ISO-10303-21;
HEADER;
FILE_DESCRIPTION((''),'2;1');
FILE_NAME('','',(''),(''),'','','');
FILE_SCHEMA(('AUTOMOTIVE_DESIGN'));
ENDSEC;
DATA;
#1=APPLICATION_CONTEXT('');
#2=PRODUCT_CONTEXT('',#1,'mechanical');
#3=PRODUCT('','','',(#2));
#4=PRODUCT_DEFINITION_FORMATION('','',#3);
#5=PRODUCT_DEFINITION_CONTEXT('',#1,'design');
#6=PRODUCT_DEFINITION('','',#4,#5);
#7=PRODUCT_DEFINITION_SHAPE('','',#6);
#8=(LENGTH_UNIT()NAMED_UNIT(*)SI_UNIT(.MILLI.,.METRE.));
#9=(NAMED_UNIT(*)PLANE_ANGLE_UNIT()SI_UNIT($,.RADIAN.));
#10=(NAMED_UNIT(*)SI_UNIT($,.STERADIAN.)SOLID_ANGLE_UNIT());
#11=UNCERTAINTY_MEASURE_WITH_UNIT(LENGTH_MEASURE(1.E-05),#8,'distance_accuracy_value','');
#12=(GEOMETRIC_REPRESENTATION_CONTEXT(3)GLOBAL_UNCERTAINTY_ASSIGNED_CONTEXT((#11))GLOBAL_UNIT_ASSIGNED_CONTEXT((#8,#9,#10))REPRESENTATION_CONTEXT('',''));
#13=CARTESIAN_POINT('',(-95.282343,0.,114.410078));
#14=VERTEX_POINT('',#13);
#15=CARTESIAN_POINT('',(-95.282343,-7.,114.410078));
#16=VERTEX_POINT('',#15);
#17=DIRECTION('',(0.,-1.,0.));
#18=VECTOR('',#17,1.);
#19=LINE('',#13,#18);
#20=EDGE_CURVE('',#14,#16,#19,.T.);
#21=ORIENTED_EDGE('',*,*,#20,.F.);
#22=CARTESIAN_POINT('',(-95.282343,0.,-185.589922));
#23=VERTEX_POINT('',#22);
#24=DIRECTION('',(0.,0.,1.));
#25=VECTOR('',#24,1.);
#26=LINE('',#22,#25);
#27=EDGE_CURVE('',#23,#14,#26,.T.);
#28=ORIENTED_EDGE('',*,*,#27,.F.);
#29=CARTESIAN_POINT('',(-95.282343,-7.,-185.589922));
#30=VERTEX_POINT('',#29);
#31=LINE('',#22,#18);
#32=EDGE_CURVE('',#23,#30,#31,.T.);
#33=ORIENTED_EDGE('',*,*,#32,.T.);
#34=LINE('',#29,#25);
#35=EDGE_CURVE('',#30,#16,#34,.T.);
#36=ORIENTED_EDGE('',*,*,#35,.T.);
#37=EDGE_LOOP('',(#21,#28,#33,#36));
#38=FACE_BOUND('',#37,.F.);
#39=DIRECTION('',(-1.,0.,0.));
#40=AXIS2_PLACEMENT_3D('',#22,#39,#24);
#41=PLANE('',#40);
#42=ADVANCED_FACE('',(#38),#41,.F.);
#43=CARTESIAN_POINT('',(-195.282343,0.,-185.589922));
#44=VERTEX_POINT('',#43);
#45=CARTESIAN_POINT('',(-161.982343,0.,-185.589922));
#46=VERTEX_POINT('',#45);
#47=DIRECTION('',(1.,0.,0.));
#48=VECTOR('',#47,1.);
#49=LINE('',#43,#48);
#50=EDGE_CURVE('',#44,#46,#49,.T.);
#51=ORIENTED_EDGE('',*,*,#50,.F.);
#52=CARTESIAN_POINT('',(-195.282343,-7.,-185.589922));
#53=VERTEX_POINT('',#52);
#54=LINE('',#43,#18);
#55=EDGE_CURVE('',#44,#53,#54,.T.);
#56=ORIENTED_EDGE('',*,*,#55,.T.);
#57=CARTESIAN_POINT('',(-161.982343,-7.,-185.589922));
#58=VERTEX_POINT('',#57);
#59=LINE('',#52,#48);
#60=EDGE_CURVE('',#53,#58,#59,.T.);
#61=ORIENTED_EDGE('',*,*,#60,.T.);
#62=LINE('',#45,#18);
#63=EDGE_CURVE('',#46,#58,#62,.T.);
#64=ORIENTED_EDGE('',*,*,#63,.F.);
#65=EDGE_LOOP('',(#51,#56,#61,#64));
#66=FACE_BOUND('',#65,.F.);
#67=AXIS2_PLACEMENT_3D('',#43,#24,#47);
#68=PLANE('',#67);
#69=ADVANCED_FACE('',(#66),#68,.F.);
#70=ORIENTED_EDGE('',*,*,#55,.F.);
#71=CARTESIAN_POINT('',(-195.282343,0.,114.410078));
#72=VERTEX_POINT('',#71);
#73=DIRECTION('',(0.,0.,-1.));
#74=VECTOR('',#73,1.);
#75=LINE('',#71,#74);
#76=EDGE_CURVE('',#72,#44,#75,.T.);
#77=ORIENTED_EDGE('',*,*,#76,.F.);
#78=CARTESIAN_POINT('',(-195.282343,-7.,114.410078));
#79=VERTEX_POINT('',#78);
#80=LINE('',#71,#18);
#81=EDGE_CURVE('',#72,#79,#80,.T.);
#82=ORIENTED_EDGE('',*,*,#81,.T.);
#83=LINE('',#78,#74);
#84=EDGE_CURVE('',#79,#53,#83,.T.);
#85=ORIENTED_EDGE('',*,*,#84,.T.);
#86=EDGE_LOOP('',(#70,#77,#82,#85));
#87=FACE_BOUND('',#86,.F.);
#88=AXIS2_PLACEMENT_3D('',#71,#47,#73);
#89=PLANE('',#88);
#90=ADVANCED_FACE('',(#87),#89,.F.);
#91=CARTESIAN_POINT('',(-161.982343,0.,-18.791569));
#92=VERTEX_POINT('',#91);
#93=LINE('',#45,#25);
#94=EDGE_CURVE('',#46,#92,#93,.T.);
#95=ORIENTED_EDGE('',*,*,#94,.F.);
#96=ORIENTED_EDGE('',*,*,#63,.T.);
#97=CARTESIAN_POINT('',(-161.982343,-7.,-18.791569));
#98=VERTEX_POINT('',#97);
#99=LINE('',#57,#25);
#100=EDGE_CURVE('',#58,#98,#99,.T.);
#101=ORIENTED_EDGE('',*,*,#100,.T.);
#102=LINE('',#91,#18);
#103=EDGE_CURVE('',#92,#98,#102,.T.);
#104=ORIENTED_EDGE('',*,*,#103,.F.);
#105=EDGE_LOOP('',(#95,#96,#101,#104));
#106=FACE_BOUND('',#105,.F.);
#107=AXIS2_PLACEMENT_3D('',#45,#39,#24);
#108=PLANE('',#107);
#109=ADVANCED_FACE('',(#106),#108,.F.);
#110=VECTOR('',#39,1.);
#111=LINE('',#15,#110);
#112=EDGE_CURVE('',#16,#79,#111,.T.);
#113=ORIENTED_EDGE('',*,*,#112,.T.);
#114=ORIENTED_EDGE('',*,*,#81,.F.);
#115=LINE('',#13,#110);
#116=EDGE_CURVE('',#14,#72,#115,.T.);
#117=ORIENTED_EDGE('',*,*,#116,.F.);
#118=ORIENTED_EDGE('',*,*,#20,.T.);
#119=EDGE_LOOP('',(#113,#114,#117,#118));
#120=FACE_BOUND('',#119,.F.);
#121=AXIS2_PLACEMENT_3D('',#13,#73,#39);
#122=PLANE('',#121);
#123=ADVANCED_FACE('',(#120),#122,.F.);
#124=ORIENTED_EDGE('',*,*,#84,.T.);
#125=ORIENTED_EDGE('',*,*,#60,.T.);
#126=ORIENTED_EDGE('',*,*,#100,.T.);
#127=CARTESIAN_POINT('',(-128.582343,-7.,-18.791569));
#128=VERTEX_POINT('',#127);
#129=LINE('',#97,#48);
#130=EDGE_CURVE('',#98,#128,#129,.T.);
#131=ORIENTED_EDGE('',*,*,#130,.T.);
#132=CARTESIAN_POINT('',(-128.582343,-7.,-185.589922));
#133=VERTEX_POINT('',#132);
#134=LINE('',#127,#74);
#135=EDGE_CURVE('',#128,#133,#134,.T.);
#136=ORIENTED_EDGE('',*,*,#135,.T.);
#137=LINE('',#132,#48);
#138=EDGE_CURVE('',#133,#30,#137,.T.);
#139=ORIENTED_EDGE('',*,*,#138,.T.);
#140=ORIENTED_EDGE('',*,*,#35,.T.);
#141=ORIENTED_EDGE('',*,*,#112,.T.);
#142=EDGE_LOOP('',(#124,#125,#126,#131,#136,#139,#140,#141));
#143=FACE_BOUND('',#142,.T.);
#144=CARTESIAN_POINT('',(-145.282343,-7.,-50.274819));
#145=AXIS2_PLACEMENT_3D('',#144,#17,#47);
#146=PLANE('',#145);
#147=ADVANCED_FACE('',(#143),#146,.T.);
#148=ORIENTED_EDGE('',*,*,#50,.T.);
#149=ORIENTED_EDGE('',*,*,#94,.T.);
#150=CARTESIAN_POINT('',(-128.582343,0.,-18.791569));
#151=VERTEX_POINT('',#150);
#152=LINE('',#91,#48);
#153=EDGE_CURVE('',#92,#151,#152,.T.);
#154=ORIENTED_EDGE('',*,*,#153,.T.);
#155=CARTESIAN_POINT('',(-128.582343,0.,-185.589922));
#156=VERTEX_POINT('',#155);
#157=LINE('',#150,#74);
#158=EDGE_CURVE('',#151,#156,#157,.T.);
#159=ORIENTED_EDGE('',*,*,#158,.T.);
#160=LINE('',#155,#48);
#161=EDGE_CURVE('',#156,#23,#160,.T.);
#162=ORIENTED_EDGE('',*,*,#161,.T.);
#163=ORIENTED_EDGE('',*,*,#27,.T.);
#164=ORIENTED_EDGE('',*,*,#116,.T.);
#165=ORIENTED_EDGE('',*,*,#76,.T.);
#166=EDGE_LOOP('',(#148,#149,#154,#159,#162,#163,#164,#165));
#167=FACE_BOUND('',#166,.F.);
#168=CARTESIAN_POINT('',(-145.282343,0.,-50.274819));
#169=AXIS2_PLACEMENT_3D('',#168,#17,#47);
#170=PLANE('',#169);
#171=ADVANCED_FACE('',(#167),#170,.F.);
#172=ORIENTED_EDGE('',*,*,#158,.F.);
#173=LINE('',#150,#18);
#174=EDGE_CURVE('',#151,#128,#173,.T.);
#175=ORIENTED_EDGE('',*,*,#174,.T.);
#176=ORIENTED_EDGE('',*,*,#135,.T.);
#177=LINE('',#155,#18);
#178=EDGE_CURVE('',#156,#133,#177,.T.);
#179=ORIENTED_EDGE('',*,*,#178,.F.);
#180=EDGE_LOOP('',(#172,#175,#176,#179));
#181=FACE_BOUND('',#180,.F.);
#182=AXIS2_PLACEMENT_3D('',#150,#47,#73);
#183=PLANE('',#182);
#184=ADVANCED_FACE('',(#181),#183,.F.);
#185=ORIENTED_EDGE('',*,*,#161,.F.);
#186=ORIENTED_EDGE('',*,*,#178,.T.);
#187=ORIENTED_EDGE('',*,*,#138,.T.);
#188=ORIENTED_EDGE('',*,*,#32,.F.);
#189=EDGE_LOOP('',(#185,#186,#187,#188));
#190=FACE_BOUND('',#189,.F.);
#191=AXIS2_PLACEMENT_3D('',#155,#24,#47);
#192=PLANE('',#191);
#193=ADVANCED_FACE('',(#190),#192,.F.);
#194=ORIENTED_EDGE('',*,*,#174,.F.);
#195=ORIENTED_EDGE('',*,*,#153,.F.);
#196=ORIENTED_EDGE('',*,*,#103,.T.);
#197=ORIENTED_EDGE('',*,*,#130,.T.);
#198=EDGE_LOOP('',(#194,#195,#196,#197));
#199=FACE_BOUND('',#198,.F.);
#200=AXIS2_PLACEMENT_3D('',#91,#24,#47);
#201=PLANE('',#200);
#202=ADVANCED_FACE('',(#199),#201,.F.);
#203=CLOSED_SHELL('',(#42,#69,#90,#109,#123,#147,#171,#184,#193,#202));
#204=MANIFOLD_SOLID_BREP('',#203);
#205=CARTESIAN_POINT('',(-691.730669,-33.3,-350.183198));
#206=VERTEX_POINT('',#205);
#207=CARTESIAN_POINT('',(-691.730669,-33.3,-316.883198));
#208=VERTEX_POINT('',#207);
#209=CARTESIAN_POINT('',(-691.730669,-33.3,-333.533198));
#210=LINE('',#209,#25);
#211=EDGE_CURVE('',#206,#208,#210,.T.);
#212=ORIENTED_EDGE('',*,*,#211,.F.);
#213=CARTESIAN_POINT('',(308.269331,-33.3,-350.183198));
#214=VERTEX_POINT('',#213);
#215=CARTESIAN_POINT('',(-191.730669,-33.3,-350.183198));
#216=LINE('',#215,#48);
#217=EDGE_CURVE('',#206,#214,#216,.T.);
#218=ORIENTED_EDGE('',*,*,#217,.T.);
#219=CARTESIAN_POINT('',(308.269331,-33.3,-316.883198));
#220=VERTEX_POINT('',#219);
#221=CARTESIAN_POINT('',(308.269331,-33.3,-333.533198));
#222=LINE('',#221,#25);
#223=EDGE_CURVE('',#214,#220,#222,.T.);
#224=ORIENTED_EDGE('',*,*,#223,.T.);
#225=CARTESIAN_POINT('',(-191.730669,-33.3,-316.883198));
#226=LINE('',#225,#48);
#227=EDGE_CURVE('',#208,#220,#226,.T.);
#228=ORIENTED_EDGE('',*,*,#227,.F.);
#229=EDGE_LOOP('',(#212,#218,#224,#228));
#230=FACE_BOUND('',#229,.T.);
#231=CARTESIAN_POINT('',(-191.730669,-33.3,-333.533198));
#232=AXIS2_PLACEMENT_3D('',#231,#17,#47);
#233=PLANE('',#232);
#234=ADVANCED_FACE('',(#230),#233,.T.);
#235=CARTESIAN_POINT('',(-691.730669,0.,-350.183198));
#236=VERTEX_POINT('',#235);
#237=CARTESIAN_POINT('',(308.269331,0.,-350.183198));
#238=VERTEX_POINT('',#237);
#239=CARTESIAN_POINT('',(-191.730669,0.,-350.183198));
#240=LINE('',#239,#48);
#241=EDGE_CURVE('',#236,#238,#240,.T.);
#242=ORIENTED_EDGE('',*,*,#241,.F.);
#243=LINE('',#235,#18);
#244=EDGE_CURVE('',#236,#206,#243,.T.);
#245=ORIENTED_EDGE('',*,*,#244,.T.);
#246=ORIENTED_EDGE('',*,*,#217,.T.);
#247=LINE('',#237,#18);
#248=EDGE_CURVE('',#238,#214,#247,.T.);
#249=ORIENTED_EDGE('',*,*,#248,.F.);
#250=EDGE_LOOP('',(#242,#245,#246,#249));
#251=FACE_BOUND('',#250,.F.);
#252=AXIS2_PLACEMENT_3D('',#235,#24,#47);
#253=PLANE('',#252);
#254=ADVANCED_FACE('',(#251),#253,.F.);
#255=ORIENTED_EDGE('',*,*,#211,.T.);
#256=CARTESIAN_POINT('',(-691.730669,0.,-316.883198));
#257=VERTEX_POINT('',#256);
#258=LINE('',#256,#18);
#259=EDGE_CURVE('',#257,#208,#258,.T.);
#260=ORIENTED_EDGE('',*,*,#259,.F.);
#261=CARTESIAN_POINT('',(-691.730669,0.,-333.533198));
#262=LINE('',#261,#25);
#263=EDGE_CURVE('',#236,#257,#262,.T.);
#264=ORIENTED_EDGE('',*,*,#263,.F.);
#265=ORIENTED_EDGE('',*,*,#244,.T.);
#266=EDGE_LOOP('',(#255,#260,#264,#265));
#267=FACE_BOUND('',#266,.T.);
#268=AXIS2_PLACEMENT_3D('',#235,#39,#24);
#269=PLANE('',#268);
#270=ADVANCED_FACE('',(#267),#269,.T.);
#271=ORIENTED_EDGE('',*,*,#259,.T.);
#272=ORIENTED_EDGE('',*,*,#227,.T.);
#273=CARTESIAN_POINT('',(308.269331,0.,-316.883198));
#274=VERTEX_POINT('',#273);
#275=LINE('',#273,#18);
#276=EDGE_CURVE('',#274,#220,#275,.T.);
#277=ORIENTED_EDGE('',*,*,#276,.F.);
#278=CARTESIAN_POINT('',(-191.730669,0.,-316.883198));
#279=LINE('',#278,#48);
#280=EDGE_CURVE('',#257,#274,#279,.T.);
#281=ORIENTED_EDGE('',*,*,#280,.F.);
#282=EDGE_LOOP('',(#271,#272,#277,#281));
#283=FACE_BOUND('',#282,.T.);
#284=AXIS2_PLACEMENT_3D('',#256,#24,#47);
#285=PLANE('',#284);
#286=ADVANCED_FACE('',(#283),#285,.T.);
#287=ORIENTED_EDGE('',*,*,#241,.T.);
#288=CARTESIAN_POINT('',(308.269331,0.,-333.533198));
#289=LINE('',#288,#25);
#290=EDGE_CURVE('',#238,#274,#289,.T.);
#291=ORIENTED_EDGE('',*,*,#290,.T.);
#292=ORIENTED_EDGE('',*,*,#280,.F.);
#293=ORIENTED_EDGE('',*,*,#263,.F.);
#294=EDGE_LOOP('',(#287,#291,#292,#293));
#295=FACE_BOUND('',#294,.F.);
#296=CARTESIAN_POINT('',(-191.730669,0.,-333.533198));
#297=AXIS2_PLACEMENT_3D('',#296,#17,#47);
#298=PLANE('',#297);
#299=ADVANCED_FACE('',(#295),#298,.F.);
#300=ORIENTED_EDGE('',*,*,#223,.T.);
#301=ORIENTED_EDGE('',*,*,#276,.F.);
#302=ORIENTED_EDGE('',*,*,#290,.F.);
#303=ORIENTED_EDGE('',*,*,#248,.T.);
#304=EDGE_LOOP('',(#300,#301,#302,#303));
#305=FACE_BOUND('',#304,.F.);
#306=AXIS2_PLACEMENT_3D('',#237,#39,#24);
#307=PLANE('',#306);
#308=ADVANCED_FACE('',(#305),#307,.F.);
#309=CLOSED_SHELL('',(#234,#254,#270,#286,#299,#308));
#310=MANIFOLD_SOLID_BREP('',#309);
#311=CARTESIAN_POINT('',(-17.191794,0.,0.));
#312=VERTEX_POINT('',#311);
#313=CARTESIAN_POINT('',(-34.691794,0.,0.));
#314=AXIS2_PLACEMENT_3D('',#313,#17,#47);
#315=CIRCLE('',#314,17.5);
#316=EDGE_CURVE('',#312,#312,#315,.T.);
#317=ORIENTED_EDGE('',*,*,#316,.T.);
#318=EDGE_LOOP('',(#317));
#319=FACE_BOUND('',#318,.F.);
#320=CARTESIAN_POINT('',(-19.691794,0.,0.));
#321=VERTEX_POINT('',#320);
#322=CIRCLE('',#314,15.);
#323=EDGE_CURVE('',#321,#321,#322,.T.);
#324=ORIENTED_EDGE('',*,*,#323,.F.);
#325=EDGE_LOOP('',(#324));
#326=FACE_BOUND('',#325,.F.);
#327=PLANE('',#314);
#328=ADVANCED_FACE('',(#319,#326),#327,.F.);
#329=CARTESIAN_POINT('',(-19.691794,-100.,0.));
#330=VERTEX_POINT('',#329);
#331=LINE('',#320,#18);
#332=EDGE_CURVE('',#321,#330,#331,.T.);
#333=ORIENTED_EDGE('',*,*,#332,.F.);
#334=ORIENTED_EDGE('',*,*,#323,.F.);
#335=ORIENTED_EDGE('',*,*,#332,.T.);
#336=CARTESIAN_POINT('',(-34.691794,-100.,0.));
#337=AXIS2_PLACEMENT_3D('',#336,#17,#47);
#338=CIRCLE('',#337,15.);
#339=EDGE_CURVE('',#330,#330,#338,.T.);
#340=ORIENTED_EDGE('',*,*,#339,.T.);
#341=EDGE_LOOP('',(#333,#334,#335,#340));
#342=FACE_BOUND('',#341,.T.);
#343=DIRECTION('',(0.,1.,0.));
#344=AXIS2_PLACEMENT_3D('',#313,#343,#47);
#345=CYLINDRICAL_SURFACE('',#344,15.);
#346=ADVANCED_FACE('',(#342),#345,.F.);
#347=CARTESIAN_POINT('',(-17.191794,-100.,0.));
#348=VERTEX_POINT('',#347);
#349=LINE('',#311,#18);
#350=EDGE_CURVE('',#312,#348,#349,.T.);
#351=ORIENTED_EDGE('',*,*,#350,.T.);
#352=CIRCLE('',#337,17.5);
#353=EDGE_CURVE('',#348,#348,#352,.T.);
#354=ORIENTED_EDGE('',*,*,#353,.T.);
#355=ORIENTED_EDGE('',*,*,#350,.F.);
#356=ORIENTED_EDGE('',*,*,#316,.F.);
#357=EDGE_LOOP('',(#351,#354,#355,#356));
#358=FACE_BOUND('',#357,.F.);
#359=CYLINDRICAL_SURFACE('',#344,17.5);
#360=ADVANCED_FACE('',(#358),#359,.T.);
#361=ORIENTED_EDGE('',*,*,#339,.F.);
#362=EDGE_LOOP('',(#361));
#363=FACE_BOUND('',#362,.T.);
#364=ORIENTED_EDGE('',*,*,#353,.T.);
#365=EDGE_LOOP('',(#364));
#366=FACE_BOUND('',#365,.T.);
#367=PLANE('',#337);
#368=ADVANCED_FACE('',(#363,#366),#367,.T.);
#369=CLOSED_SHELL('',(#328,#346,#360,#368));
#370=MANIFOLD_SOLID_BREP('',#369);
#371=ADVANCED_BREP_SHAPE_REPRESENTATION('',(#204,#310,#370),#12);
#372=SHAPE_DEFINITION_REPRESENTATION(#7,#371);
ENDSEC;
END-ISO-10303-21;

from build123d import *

# Parameters (mm, degrees)
F0_R     = 17.5
F0_R_2   = 15
F1_DEPTH = 100
F3_DEPTH = 7
F4_W     = 1000
F4_H     = 33.3
F5_DEPTH = 33.3


with BuildPart() as f1:
    # F0 (on Front) → F1 (new body)
    with BuildSketch(Plane.XZ):
        with Locations((-34.691794, 0)):
            Circle(F0_R)
        with Locations((-34.691794, 0)):
            Circle(F0_R_2, mode=Mode.SUBTRACT)
    extrude(amount=F1_DEPTH)


with BuildPart() as f3:
    # F2 (on Front) → F3 (new body)
    with BuildSketch(Plane.XZ):
        Polygon((-95.282343, -185.589922), (-95.282343, 114.410078), (-195.282343, 114.410078), (-195.282343, -185.589922), (-161.982343, -185.589922), (-161.982343, -18.791569), (-128.582343, -18.791569), (-128.582343, -185.589922), align=None)
    extrude(amount=F3_DEPTH)


with BuildPart() as f5:
    # F4 (on Front) → F5 (new body)
    with BuildSketch(Plane.XZ):
        with Locations((-191.730669, -333.533198)):
            Rectangle(F4_W, F4_H)
    extrude(amount=F5_DEPTH)


solid = Compound([f1.part, f3.part, f5.part])
